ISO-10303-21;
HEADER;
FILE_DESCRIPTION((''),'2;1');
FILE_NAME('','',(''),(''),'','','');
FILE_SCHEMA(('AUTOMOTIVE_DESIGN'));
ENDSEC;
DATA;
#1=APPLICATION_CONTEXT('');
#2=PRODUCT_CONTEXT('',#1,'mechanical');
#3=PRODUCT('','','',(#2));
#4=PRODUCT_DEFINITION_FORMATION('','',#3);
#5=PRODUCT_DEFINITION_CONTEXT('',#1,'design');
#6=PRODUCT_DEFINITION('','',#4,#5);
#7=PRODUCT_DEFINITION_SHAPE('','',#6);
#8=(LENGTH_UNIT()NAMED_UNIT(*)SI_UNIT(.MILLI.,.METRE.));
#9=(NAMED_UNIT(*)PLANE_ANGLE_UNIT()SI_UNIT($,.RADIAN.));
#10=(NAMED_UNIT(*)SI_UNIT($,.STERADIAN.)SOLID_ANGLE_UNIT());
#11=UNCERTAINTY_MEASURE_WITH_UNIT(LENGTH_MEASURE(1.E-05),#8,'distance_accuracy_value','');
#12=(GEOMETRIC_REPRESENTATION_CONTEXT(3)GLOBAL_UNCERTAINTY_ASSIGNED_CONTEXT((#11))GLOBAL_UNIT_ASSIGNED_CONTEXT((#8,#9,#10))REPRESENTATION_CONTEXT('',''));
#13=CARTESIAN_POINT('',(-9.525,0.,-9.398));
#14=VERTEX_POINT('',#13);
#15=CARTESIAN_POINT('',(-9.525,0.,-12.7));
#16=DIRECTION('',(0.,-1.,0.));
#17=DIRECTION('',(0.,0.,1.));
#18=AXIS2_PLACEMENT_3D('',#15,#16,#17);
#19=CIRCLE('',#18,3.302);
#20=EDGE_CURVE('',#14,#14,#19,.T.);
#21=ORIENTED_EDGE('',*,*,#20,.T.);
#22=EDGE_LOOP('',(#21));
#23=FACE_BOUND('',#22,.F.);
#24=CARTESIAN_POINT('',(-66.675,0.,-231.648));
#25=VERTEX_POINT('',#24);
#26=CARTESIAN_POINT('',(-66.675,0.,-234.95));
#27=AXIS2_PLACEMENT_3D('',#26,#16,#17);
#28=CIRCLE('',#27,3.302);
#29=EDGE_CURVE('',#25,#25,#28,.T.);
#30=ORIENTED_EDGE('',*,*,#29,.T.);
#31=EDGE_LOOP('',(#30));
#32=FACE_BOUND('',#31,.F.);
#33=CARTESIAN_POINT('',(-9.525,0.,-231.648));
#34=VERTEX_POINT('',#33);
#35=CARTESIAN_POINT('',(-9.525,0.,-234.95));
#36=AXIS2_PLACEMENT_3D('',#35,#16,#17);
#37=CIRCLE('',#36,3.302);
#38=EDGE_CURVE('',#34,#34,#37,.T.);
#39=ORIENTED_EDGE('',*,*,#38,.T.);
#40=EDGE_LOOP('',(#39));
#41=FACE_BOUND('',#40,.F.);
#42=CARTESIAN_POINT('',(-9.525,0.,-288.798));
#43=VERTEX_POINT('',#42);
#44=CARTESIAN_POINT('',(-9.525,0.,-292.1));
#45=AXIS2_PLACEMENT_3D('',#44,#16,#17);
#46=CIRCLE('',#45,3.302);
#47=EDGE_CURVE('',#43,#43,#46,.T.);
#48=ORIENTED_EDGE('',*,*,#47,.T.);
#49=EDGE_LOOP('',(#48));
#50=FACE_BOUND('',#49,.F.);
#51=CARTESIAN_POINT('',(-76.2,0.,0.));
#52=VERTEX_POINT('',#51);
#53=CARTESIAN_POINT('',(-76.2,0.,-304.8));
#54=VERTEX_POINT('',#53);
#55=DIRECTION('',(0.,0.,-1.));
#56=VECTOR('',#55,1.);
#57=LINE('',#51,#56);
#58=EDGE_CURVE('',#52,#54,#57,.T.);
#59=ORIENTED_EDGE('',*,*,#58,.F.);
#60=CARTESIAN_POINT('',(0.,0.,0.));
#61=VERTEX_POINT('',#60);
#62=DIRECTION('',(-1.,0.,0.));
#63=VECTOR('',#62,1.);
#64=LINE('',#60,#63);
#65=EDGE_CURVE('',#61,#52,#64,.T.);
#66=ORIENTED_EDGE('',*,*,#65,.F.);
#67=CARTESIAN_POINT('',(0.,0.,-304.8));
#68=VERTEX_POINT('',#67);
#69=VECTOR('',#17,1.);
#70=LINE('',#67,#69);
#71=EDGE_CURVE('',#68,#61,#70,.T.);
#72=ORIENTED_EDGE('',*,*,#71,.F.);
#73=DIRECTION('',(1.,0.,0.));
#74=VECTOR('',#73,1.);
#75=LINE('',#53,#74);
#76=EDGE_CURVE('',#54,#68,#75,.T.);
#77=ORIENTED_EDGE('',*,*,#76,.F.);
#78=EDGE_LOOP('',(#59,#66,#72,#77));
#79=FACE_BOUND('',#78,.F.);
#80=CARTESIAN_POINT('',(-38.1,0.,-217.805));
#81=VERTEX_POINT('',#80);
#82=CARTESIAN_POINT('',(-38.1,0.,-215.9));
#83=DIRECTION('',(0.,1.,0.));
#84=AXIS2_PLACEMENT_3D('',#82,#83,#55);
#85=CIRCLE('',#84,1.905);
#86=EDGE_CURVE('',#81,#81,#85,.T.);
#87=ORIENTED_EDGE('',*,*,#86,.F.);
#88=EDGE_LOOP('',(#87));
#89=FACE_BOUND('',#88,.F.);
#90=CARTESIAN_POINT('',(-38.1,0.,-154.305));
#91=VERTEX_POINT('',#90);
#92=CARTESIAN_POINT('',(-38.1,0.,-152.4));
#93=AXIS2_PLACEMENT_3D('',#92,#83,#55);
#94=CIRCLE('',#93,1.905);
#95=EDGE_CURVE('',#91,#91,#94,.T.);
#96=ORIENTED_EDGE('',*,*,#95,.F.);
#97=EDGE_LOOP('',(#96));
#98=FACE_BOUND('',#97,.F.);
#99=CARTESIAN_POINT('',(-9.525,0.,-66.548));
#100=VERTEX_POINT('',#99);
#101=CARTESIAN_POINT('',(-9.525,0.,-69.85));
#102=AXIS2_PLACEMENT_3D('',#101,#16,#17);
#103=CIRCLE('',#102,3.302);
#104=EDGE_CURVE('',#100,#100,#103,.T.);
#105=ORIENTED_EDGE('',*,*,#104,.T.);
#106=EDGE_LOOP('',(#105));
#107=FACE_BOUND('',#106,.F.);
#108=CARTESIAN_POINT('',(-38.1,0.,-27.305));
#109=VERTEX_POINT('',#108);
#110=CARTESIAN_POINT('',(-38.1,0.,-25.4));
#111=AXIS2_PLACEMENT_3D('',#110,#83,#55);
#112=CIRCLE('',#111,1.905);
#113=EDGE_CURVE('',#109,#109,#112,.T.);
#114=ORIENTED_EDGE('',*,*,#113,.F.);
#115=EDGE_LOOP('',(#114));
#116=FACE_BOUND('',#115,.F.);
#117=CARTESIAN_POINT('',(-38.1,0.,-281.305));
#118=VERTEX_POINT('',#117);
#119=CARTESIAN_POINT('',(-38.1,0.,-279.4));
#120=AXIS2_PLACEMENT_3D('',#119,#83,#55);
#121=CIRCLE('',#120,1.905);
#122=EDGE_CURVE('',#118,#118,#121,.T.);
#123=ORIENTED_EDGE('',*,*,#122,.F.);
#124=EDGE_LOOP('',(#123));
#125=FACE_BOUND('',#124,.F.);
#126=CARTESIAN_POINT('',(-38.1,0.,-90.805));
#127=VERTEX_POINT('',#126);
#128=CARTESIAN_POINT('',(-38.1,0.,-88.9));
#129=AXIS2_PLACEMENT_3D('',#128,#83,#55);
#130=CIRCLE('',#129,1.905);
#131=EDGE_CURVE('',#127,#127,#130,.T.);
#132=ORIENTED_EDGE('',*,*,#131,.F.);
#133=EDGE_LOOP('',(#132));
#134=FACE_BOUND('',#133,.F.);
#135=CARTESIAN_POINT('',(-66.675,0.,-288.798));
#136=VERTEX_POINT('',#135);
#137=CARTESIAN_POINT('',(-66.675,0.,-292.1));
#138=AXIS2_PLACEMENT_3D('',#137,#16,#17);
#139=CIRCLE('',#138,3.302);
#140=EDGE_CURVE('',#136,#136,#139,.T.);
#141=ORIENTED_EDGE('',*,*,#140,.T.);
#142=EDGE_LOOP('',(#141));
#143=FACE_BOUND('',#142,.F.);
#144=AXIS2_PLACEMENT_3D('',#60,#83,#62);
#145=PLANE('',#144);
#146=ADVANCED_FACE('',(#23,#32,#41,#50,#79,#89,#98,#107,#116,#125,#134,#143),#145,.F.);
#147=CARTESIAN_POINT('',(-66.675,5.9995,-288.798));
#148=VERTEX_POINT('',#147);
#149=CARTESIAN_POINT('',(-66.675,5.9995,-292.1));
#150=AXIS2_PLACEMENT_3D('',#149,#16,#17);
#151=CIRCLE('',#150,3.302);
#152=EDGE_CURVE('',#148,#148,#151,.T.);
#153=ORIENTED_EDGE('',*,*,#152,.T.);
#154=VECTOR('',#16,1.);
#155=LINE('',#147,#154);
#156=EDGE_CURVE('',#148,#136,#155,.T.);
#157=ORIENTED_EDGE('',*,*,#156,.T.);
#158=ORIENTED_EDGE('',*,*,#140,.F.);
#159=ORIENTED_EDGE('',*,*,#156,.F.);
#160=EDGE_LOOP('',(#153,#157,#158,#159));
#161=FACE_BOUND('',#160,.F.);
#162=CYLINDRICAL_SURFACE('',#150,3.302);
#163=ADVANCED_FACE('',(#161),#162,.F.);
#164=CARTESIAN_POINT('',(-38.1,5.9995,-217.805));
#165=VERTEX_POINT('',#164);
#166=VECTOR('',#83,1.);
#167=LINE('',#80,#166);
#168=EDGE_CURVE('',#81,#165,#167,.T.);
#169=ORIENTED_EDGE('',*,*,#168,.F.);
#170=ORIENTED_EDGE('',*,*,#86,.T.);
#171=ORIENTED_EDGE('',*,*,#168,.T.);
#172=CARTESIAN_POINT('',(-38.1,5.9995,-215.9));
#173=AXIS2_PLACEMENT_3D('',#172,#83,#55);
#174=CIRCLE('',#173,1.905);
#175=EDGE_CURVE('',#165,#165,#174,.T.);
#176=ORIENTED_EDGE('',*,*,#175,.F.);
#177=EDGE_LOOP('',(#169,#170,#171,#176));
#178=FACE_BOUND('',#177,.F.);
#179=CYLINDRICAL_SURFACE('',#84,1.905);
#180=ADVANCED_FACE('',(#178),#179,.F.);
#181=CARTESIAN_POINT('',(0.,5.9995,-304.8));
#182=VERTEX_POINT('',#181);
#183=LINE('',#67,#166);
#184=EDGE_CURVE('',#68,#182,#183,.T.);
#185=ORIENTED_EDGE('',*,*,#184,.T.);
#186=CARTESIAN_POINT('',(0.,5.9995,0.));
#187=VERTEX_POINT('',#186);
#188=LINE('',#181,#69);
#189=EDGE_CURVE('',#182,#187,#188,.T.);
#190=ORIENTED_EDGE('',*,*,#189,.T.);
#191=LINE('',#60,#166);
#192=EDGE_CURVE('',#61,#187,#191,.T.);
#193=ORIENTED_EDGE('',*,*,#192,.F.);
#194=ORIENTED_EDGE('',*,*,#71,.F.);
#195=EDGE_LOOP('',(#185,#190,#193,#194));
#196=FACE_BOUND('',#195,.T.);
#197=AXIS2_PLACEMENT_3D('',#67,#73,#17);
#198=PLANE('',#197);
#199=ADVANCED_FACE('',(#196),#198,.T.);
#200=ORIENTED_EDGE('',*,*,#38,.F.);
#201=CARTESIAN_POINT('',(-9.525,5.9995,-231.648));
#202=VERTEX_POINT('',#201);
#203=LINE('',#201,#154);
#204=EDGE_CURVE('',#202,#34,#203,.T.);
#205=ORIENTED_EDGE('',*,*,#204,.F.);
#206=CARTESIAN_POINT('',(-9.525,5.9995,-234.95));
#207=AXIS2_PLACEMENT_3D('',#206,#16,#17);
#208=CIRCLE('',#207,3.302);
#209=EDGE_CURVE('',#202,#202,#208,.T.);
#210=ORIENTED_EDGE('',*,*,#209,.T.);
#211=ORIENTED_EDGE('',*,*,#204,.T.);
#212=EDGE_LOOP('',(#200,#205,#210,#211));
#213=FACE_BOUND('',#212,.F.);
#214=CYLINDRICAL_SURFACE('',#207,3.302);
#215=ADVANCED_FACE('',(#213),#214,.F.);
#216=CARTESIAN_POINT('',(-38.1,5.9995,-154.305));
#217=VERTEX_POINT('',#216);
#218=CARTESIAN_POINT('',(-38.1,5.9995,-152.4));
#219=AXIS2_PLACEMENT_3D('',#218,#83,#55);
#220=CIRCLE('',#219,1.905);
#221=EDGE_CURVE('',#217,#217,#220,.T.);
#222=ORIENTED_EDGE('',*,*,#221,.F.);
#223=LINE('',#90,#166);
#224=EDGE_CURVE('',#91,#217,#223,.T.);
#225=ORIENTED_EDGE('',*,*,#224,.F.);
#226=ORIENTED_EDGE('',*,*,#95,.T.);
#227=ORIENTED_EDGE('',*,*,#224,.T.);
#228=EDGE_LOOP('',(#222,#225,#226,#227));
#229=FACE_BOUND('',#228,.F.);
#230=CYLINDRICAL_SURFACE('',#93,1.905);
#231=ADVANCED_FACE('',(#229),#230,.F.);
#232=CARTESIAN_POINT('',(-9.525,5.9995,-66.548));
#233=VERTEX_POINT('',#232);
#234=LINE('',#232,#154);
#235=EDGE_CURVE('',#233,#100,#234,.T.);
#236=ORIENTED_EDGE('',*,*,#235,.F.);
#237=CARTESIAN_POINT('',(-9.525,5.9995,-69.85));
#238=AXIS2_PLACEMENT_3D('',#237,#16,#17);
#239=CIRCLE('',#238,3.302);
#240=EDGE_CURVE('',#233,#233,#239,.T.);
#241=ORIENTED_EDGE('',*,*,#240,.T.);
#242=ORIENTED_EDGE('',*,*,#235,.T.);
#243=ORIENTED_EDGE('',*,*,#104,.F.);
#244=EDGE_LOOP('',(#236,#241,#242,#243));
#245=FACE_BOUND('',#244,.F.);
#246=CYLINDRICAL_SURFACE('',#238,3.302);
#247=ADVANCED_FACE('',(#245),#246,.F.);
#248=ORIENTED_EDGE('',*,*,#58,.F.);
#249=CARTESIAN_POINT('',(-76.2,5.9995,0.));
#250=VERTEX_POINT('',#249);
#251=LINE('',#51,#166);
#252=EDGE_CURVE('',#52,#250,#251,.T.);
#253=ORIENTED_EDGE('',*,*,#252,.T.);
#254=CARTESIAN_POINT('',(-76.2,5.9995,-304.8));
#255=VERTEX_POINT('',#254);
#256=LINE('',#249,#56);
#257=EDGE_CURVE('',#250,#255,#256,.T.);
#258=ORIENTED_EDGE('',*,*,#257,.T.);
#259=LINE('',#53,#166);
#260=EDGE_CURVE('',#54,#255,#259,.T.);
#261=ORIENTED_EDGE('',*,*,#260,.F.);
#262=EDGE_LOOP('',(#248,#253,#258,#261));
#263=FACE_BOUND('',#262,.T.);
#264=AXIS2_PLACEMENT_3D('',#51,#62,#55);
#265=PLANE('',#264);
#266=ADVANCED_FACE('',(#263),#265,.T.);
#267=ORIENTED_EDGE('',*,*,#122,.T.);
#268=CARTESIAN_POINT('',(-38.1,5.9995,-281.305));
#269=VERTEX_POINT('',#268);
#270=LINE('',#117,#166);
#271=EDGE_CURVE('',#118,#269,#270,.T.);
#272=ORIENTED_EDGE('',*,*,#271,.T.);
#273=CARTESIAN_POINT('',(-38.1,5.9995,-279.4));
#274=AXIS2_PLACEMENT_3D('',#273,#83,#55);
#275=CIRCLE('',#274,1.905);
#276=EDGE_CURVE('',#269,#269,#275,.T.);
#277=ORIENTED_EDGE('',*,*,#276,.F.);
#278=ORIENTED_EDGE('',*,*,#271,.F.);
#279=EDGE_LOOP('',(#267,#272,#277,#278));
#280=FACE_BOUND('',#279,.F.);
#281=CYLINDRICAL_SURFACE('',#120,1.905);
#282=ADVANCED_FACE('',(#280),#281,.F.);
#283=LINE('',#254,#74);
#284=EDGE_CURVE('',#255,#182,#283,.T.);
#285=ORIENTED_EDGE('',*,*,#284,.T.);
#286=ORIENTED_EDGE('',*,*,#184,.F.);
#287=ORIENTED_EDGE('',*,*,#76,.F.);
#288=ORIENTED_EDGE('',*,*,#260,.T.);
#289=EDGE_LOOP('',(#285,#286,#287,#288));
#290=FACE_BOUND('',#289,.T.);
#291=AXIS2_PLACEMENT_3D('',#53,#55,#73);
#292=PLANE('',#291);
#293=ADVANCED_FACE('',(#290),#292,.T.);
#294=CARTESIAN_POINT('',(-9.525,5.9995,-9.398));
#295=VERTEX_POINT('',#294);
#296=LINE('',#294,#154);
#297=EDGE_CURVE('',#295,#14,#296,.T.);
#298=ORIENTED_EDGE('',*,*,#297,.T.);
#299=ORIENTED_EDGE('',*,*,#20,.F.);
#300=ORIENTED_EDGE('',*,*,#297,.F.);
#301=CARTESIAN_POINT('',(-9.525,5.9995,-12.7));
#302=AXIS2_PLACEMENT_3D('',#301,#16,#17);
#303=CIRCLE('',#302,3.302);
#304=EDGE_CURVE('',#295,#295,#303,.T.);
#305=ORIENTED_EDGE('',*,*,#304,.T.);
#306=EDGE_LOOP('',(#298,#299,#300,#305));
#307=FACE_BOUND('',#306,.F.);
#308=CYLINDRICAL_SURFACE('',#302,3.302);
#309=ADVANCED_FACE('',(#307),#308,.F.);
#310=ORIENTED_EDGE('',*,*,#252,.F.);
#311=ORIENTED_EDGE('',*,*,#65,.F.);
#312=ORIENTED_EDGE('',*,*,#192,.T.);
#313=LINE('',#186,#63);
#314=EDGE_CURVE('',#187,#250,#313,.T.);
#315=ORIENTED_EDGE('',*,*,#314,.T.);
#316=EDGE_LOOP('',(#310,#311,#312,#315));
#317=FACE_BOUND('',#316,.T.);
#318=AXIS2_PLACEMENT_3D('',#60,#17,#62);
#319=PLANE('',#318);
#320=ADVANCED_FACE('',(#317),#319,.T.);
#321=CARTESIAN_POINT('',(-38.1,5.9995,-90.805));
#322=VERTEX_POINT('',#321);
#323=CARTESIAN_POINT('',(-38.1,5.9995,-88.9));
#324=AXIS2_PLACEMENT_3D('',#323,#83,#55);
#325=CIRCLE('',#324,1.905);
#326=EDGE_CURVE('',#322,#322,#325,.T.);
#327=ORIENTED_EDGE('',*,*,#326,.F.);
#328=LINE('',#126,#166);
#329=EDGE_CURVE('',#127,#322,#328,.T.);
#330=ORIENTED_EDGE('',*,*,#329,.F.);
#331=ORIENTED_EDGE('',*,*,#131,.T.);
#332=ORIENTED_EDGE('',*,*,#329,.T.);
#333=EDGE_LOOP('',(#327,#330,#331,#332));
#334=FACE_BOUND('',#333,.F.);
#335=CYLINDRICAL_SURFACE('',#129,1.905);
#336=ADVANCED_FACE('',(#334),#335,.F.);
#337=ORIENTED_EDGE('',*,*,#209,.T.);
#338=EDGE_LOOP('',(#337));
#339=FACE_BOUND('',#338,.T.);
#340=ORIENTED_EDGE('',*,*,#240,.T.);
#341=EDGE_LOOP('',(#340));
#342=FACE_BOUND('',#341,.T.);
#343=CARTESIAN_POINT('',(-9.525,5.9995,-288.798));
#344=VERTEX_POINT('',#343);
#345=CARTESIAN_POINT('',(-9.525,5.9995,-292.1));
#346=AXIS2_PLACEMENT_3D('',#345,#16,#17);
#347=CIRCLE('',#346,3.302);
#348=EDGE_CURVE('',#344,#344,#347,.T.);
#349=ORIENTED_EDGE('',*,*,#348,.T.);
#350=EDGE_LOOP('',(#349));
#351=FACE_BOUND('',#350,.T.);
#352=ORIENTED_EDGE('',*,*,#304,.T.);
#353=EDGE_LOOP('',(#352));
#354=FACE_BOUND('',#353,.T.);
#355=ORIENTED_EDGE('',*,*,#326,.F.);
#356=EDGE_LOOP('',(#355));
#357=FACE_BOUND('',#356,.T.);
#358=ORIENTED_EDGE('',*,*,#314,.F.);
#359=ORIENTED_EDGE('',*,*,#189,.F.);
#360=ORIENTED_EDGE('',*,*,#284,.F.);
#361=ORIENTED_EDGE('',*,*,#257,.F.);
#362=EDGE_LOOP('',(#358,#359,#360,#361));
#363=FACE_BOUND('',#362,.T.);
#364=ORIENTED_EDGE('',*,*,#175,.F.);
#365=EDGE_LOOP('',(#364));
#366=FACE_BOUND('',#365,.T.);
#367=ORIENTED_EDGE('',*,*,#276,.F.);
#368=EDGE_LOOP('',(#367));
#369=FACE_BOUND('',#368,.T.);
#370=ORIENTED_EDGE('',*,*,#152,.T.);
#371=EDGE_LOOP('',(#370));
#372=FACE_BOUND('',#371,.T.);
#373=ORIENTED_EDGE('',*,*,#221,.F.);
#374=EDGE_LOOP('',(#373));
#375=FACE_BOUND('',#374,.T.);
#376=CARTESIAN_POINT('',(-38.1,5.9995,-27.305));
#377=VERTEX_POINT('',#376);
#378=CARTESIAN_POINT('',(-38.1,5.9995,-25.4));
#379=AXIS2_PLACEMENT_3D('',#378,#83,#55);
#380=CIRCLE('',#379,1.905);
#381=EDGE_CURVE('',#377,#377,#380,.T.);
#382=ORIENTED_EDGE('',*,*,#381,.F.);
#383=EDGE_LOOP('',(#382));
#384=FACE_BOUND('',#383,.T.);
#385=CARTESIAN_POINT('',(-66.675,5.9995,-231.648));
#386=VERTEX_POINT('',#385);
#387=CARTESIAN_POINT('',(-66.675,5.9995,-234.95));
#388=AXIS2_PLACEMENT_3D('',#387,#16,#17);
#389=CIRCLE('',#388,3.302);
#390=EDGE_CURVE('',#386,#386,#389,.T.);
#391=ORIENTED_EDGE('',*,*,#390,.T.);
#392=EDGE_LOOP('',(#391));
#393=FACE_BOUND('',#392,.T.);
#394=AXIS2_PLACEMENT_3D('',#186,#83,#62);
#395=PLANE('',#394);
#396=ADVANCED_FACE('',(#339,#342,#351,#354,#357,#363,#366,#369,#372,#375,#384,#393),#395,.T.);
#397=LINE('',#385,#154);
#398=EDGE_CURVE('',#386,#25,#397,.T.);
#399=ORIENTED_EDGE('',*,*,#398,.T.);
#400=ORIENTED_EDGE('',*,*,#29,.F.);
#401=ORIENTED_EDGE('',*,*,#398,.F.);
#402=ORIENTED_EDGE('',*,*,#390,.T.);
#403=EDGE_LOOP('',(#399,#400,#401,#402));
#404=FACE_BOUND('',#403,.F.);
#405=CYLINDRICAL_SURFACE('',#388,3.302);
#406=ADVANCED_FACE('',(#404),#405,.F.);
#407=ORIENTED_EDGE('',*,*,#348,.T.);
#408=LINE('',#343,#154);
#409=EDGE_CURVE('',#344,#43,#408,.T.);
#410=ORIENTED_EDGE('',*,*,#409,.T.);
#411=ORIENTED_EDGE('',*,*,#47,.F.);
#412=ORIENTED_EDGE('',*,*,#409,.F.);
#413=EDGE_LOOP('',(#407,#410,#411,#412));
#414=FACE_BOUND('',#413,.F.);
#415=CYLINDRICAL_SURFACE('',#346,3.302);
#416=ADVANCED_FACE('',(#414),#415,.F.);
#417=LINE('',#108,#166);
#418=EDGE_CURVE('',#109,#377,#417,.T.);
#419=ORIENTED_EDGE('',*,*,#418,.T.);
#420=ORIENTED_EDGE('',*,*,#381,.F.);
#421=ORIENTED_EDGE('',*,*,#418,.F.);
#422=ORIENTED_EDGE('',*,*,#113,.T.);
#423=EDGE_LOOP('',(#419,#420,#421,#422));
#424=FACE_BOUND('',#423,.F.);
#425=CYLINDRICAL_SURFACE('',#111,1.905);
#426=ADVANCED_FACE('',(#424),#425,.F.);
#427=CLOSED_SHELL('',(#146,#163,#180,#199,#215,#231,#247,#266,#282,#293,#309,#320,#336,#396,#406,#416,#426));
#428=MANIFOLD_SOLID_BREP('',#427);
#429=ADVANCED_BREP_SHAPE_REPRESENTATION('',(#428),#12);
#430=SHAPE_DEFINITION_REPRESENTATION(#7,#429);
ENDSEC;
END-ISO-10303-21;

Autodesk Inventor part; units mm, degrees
ref_plane "YZ Plane" through (0, 0, 0) normal (1, 0, 0) x (0, 1, 0)
ref_plane "XZ Plane" through (0, 0, 0) normal (0, 1, 0) x (-1, 0, 0)
ref_plane "XY Plane" through (0, 0, 0) normal (0, 0, 1) x (1, 0, 0)
sketch "Sketch1" plane through (0, 0, 0) normal (0, 1, 0) x (-1, 0, 0)
  line L0 (0, 0) -> (76.2, 0)
  line L1 (76.2, 0) -> (76.2, -304.8)
  line L2 (76.2, -304.8) -> (0, -304.8)
  line L3 (0, -304.8) -> (0, 0)
  dimension "d0" = 304.8
  dimension "d1" = 76.2
extrude "Extrusion1" add sketch "Sketch1" along normal blind 5.9995
sketch "Sketch2" plane through (0, 5.9995, 0) normal (0, 1, 0) x (1, 0, 0)
  line L0 (0, 0) -> (0, 304.8) projected
  line L1 (-76.2, 0) -> (0, 0) projected
  point P0 (-9.525, 12.7)
  point P1 (-9.525, 69.85)
  dimension "d4" = 57.15
  dimension "d5" = 9.525
  dimension "d13" = 12.7
hole "Hole1" at (-9.525, 5.9995, -12.7) at (-9.525, 5.9995, -69.85) direction (0, -1, 0) diameter 6.604 end through all
sketch "Sketch3" plane through (0, 5.9995, 0) normal (0, 1, 0) x (1, 0, 0)
  line L0 (0, 0) -> (0, 304.8) projected
  line L1 (-76.2, 304.8) -> (-76.2, 0) projected
  line L2 (0, 304.8) -> (-76.2, 304.8) projected
  point P0 (-9.525, 292.1)
  point P1 (-9.525, 234.95)
  point P2 (-66.675, 234.95)
  point P3 (-66.675, 292.1)
  dimension "d14" = 57.15
  dimension "d15" = 9.525
  dimension "d16" = 9.525
  dimension "d17" = 12.7
hole "Hole2" at (-9.525, 5.9995, -292.1) at (-9.525, 5.9995, -234.95) at (-66.675, 5.9995, -234.95) at (-66.675, 5.9995, -292.1) direction (0, -1, 0) diameter 6.604 end through all
sketch "Sketch4" plane through (0, 0, 0) normal (0, -1, 0) x (1, 0, 0)
  line L0 (0, -304.8) -> (-76.2, -304.8) projected
  line L1 (-76.2, 0) -> (0, 0) projected
  line L2 (-76.2, -304.8) -> (-76.2, 0) projected
  point P0 (-38.1, -279.4)
  point P1 (-38.1, -215.9)
  point P2 (-38.1, -152.4)
  point P3 (-38.1, -88.9)
  point P4 (-38.1, -25.4)
  dimension "d25" = 25.4
  dimension "d26" = 25.4
  dimension "d27" = 63.5
  dimension "d28" = 63.5
  dimension "d29" = 63.5
  dimension "d30" = 38.1
hole "Hole3" at (-38.1, 0, -279.4) at (-38.1, 0, -215.9) at (-38.1, 0, -152.4) at (-38.1, 0, -88.9) at (-38.1, 0, -25.4) direction (0, 1, 0) diameter 3.81 end through all clearance for "Flat Head Machine Screw (82)" size "#6" standard "Ansi Unified Screw Threads"
properties part number "GOES_Mount"
